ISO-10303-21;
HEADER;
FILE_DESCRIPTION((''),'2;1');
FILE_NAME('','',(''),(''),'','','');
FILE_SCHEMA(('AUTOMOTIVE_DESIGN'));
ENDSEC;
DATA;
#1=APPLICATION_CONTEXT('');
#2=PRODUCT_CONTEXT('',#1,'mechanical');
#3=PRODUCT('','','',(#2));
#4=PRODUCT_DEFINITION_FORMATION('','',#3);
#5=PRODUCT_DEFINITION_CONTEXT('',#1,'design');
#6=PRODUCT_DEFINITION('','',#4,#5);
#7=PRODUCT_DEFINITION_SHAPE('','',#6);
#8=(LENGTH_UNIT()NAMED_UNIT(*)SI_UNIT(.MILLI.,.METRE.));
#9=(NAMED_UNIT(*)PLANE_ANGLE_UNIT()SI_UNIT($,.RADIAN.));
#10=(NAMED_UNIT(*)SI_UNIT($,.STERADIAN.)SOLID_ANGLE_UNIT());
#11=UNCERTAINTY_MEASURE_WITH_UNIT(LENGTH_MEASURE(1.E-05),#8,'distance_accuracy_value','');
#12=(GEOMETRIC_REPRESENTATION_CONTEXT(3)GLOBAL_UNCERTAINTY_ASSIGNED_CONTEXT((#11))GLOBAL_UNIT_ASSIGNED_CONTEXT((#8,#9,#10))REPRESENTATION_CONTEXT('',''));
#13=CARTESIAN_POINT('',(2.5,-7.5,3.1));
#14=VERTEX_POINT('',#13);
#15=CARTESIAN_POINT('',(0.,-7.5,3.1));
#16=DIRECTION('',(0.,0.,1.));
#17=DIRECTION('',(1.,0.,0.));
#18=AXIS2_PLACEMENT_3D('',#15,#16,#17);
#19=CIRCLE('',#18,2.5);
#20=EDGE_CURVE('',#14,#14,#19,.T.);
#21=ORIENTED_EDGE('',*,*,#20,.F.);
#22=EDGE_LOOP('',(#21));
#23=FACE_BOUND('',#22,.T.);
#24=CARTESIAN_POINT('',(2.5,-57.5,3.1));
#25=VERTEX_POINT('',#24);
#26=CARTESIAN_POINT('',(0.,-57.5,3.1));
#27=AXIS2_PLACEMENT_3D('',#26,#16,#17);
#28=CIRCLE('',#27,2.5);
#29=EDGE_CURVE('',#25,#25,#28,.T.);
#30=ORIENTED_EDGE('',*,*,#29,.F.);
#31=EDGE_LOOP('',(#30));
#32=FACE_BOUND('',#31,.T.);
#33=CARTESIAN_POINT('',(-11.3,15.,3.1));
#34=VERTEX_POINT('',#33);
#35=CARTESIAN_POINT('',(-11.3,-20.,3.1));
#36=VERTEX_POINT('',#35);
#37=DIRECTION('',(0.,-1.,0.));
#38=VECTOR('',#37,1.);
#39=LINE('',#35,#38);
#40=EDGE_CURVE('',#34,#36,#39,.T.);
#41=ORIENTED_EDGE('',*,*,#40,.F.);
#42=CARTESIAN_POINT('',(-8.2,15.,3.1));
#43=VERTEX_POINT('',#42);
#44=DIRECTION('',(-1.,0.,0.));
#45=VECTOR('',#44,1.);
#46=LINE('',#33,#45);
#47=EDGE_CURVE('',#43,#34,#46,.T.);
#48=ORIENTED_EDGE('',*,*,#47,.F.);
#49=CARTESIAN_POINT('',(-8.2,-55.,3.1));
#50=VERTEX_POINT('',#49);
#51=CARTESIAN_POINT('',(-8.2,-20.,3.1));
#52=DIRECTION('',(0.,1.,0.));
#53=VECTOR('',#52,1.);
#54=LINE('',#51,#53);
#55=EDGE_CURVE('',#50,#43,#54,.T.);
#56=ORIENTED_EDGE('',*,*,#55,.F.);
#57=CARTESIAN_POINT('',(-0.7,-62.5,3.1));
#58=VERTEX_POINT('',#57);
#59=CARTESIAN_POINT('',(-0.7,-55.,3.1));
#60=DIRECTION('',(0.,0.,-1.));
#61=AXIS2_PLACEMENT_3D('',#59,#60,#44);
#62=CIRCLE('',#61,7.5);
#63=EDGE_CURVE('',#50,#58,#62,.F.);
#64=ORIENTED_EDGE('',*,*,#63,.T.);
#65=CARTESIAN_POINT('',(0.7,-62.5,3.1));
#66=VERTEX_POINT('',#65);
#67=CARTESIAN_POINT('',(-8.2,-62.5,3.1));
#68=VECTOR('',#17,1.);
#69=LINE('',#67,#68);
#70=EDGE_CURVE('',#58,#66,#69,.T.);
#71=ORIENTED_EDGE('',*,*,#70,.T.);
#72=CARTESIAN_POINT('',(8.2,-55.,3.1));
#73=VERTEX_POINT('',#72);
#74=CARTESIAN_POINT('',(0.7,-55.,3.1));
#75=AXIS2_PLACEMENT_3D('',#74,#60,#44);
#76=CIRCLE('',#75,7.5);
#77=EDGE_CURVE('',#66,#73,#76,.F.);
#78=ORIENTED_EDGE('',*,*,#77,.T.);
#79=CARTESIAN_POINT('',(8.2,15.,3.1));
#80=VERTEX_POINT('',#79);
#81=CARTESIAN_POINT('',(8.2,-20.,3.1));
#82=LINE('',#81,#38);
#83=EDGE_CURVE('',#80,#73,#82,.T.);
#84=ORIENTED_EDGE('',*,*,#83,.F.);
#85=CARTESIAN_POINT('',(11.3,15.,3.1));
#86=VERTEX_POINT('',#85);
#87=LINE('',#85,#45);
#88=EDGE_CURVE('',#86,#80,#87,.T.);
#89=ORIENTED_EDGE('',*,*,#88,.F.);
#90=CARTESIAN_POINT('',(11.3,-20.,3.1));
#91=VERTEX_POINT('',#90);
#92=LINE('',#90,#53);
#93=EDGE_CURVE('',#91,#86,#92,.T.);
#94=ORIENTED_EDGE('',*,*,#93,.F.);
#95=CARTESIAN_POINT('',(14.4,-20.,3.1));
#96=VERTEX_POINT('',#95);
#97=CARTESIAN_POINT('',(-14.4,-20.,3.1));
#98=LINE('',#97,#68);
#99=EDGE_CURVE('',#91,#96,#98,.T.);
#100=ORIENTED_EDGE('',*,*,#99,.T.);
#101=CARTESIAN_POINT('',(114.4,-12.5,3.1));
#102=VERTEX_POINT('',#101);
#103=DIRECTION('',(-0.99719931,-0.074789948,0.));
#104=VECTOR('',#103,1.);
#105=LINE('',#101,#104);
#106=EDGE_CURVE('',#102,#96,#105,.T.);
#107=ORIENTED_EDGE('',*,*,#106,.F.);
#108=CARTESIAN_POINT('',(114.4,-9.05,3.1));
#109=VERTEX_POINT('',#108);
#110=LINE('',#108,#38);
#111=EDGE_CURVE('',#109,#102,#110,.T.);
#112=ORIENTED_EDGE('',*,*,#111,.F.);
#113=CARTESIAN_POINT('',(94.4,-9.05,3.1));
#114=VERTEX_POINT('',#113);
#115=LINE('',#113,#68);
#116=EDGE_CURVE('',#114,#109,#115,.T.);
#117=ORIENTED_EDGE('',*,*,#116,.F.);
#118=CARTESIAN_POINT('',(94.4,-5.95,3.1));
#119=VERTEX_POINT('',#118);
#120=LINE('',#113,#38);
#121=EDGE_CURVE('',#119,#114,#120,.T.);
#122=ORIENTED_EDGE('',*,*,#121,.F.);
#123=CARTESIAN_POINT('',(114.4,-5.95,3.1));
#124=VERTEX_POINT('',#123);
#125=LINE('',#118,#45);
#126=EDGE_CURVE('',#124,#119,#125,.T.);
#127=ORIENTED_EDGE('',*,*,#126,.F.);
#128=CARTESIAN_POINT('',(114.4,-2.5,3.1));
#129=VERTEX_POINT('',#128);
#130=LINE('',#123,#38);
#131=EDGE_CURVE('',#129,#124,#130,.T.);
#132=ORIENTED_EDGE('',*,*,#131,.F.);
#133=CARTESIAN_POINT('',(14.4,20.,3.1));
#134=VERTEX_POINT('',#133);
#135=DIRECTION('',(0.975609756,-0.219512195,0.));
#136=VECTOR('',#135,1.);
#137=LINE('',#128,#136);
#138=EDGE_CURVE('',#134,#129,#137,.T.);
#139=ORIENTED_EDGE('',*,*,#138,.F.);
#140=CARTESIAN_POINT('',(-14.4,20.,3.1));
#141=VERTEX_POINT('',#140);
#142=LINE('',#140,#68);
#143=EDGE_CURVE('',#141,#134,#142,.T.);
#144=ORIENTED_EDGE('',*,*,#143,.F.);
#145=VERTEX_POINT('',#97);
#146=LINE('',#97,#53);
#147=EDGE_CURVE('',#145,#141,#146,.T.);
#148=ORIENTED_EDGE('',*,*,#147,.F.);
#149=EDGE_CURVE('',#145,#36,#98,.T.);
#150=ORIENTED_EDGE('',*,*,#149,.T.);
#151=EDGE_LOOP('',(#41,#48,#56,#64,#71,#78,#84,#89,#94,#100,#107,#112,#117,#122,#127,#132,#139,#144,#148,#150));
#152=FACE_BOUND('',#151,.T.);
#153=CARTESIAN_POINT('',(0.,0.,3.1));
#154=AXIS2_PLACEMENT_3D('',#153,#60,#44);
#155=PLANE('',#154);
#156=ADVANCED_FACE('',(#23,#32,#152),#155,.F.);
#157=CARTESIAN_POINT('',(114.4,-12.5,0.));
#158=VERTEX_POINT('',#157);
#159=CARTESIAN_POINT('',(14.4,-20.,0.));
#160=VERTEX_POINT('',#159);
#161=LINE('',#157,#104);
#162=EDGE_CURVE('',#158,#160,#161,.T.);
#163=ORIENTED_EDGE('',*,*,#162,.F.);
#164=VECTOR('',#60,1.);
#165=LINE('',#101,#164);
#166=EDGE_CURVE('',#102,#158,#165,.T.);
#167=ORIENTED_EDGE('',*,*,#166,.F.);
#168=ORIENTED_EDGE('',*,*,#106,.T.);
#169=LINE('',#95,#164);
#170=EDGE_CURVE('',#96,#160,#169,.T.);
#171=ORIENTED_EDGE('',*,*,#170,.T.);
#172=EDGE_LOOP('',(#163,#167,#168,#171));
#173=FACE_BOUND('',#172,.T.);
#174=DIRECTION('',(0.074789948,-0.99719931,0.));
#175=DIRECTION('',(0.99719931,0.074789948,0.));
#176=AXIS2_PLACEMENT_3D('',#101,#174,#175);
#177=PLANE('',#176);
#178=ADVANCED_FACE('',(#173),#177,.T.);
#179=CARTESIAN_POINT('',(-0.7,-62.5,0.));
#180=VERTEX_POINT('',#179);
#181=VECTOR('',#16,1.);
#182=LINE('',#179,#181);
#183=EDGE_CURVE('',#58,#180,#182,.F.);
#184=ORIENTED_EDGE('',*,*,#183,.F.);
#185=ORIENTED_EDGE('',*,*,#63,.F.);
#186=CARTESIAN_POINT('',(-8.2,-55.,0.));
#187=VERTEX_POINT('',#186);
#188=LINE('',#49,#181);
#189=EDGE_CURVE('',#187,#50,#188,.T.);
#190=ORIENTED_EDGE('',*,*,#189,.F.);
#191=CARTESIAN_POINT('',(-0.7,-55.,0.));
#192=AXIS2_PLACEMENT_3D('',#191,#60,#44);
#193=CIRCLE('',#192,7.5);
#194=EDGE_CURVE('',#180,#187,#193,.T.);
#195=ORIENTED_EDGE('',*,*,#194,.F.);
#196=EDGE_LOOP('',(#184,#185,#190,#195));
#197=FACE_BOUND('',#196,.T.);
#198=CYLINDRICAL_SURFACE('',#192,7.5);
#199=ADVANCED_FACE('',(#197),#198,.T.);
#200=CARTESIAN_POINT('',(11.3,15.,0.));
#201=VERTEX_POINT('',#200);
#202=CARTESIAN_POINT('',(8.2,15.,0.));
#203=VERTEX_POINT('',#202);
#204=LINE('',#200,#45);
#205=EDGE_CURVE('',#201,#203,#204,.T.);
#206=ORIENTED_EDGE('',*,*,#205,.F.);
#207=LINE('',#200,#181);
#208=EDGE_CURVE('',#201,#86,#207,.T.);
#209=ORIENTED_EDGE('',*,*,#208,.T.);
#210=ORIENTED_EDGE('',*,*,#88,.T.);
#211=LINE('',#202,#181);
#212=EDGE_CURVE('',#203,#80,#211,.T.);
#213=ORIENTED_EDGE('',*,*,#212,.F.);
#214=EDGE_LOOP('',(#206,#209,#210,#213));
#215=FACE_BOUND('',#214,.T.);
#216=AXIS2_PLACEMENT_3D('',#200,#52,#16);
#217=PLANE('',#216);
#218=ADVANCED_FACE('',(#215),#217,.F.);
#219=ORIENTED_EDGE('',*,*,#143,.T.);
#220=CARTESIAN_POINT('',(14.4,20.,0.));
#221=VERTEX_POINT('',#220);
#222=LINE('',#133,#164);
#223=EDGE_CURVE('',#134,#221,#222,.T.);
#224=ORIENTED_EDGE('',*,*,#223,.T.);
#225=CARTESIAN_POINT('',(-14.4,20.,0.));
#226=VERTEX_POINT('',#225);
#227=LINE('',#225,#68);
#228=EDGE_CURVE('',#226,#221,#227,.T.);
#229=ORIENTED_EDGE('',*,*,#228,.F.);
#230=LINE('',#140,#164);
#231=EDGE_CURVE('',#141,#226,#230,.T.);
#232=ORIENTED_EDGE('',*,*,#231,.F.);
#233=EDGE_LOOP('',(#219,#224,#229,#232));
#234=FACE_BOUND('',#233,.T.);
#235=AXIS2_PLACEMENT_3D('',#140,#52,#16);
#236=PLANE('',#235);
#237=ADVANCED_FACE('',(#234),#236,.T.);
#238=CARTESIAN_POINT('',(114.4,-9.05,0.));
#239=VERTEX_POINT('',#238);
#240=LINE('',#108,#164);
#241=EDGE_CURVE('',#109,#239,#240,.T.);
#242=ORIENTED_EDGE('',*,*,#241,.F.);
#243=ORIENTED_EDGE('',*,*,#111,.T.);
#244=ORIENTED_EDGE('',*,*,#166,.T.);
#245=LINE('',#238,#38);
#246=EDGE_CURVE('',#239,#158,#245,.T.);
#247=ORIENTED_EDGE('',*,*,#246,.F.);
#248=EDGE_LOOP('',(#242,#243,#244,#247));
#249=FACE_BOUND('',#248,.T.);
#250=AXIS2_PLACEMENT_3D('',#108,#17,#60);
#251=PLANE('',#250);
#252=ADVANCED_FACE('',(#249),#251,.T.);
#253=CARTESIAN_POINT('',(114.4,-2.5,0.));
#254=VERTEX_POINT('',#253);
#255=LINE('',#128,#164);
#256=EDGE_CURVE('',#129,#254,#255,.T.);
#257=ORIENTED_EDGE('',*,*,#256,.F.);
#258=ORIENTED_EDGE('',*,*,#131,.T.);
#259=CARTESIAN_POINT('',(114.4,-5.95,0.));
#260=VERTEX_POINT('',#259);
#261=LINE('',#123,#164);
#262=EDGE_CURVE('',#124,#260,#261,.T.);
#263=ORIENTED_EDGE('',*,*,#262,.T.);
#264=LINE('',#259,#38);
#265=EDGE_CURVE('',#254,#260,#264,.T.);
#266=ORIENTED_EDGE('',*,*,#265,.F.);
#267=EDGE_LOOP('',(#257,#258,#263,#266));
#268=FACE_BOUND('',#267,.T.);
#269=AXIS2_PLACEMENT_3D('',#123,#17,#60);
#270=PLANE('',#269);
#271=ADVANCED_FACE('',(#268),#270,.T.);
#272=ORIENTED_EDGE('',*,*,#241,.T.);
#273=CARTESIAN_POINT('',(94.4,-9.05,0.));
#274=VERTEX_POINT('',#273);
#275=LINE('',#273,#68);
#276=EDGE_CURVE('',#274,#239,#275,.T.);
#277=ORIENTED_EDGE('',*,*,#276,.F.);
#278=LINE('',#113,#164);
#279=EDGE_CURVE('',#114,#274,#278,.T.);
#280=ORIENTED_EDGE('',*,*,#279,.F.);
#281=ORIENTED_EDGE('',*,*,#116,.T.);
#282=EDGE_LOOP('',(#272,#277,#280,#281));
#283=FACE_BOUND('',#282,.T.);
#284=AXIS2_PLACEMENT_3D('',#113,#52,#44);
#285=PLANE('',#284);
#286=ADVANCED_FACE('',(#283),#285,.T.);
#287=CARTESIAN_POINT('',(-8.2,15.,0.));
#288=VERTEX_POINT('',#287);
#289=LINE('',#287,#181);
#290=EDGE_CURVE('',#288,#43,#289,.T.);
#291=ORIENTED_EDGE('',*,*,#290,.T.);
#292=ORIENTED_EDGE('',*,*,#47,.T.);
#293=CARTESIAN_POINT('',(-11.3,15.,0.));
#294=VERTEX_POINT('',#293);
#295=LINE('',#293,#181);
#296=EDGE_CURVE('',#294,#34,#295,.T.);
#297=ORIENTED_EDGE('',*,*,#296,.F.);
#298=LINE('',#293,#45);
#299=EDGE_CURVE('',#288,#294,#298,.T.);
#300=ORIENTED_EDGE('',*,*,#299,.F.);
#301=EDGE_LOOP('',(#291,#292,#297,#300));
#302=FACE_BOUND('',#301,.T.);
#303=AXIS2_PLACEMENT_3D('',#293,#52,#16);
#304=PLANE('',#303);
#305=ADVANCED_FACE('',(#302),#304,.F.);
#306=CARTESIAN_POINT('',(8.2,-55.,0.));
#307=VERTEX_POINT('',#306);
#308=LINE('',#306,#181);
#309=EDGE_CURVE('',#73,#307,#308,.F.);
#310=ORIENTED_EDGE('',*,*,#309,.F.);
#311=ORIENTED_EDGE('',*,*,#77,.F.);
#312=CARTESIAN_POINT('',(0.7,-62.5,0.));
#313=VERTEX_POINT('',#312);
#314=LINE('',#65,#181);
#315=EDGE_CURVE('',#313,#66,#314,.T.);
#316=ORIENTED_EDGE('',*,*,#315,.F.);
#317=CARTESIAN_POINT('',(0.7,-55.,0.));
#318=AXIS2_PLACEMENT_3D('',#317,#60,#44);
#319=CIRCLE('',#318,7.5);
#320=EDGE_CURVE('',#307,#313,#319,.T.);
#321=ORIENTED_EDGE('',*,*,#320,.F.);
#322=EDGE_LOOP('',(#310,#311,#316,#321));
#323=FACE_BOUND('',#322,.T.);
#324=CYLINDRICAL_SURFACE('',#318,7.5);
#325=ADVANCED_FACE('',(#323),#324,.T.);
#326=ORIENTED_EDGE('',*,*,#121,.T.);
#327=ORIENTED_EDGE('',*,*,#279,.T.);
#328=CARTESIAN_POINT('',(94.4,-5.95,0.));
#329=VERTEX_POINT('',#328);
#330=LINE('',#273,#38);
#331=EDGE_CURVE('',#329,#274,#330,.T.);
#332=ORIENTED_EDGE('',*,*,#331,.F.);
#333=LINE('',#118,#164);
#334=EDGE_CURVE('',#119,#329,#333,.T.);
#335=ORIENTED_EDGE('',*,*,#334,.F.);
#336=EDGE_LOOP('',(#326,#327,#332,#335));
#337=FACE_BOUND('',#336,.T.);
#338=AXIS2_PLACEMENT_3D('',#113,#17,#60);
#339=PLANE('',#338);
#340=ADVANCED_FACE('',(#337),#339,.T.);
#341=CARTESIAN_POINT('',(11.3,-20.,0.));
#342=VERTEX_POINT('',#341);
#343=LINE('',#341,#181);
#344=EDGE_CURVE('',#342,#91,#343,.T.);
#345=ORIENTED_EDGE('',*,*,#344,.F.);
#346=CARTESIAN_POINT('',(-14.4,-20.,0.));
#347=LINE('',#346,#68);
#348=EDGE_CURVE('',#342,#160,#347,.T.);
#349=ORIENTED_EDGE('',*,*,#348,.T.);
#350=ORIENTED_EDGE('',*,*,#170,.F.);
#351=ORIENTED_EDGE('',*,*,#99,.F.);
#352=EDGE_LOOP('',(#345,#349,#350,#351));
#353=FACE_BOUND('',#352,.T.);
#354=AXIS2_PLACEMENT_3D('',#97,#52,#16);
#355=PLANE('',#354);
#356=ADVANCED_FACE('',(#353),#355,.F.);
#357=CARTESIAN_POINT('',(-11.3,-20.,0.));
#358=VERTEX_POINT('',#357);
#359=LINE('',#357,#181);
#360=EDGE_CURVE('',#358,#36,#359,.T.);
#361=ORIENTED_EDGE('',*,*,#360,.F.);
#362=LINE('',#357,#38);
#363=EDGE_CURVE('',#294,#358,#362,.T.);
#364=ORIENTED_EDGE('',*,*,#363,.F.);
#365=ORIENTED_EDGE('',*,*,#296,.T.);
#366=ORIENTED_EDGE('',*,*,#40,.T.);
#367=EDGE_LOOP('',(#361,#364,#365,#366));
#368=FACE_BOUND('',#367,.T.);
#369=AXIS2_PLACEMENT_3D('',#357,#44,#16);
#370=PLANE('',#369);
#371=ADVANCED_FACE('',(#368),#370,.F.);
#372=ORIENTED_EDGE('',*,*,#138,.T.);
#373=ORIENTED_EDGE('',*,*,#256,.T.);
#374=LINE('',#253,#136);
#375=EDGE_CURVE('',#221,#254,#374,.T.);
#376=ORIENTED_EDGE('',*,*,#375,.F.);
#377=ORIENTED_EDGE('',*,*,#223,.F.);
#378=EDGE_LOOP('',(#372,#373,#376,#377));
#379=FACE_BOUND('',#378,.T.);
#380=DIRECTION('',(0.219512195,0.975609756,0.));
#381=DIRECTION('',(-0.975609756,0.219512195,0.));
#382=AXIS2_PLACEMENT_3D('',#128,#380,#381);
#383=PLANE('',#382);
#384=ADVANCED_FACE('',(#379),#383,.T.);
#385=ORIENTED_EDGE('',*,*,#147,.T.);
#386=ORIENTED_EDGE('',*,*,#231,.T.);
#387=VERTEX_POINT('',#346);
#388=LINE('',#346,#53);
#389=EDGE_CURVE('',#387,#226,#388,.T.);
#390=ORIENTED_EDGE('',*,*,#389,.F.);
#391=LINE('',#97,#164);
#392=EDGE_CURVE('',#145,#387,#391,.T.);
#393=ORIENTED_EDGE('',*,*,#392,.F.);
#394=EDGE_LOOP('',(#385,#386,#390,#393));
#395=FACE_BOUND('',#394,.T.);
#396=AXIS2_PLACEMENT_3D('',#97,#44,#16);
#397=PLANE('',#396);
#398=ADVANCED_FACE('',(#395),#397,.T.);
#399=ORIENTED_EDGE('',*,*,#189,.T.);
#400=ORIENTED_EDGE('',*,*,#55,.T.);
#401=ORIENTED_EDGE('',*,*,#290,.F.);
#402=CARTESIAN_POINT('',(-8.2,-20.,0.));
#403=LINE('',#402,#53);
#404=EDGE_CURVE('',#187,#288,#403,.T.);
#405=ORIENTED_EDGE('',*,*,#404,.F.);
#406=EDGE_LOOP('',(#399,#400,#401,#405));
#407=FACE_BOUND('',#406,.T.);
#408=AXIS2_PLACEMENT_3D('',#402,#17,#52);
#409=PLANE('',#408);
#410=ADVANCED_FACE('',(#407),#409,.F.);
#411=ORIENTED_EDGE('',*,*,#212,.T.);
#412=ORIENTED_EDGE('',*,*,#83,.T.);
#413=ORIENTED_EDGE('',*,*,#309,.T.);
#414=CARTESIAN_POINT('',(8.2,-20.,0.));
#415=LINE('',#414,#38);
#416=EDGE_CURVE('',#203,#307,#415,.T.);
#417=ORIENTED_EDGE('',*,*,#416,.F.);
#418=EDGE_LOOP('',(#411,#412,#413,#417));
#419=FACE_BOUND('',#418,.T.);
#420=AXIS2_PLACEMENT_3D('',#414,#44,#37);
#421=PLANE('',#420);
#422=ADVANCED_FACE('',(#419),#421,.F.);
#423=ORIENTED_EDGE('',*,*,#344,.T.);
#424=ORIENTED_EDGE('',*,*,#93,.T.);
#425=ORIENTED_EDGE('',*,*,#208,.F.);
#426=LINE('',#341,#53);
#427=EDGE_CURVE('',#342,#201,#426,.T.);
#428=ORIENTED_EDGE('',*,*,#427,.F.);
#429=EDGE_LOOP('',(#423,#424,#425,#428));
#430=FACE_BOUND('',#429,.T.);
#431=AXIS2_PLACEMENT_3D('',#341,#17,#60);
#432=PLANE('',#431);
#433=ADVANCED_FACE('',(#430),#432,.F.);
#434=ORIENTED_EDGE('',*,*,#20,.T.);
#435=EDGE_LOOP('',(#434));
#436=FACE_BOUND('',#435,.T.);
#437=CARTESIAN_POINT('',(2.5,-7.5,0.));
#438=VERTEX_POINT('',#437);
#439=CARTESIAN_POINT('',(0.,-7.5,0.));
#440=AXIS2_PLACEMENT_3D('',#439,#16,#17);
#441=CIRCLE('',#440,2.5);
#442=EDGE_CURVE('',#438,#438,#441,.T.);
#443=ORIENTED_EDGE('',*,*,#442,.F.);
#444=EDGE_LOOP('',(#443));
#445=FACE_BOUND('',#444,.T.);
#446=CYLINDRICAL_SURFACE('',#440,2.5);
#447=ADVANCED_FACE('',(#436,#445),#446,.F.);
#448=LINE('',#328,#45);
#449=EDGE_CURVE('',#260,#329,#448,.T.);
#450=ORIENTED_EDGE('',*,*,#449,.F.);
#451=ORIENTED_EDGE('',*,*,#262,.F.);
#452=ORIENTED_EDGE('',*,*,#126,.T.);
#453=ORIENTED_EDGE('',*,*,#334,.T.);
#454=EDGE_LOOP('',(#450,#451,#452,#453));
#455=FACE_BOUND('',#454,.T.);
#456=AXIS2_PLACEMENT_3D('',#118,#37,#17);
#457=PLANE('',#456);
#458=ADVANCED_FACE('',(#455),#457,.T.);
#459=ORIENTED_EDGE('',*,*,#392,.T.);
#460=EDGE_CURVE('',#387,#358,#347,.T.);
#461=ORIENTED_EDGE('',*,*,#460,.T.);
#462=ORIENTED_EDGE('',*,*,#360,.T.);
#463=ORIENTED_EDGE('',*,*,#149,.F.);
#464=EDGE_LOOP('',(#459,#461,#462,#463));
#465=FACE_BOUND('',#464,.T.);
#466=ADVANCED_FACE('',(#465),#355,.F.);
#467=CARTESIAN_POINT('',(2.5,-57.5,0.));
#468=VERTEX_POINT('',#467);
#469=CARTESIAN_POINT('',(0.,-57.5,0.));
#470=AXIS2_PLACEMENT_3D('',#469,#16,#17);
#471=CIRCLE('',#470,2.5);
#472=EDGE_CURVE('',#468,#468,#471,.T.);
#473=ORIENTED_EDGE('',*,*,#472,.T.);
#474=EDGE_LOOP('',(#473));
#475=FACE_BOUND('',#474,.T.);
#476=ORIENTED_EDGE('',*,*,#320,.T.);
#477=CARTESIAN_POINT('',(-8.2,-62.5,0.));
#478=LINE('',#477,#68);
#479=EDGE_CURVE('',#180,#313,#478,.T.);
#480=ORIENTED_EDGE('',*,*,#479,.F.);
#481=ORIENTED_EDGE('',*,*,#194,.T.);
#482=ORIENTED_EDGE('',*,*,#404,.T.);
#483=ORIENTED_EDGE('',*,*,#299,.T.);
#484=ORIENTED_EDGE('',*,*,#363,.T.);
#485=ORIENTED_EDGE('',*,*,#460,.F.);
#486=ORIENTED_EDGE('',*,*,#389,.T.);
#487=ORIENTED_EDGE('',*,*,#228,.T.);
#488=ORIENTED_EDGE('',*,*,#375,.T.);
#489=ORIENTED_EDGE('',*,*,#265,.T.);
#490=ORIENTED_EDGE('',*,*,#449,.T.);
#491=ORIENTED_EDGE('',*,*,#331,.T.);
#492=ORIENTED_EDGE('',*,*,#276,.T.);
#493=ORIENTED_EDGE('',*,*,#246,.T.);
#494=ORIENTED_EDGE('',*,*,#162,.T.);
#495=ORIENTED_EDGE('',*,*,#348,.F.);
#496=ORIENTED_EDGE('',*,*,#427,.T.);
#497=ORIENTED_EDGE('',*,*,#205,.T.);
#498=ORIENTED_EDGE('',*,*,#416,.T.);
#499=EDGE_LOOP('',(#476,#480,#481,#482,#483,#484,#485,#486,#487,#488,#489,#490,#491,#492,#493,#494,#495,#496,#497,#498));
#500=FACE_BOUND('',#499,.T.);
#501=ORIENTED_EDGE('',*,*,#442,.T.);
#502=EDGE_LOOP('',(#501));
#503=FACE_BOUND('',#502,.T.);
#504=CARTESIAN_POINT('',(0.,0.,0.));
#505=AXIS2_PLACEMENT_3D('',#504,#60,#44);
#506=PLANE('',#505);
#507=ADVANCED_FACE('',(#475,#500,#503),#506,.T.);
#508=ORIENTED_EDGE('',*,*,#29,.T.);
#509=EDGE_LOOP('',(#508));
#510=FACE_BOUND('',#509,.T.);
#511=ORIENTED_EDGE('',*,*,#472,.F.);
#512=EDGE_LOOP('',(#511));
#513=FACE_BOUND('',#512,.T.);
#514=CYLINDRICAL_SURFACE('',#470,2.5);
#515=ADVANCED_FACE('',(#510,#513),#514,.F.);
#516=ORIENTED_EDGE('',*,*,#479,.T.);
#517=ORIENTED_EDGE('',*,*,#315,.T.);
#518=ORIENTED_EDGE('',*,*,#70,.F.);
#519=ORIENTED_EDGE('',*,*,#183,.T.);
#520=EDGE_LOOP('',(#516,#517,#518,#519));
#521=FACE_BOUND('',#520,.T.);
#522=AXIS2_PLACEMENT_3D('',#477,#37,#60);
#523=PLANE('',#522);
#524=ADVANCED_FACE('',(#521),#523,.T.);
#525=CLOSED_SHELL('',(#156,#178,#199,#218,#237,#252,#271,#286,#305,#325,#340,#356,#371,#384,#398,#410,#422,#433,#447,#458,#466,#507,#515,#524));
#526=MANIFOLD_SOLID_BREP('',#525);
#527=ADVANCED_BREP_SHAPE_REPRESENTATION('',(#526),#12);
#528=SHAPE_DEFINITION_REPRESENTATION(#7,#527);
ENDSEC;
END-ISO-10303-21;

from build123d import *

# Parameters (mm, degrees)
SKETCH1_W           = 28.8
SKETCH1_H           = 40
BOSS_EXTRUDE1_DEPTH = 3.1
SKETCH2_R           = 2.5
SKETCH2_W           = 3.1
SKETCH2_H           = 35
CUT_EXTRUDE1_DEPTH  = 4.1
SKETCH3_W           = 16.4
SKETCH3_H           = 42.5
SKETCH3_R           = 2.5
BOSS_EXTRUDE2_DEPTH = 3.1
FILLET1_R           = 7.5
BOSS_EXTRUDE3_DEPTH = 3.1


with BuildPart() as part:
    # Sketch1 → Boss-Extrude1 (new body)
    with BuildSketch(Plane.XY):
        Rectangle(SKETCH1_W, SKETCH1_H)
    extrude(amount=BOSS_EXTRUDE1_DEPTH)

    # Sketch2 → Cut-Extrude1 (cut, through all)
    with BuildSketch(Plane.XY.offset(3.1)):
        with Locations((0, -7.5)):
            Circle(SKETCH2_R)
        with Locations((-9.75, -2.5)):
            Rectangle(SKETCH2_W, SKETCH2_H)
        with Locations((9.75, -2.5)):
            Rectangle(SKETCH2_W, SKETCH2_H)
    extrude(amount=-CUT_EXTRUDE1_DEPTH, mode=Mode.SUBTRACT)

    # Sketch3 → Boss-Extrude2 (add, through all)
    with BuildSketch(Plane.XY.offset(3.1)):
        with Locations((0, -41.25)):
            Rectangle(SKETCH3_W, SKETCH3_H)
        with Locations((0, -57.5)):
            Circle(SKETCH3_R, mode=Mode.SUBTRACT)
    extrude(amount=-BOSS_EXTRUDE2_DEPTH)

    # Fillet1
    fillet1_edges = [part.edges().sort_by_distance(p)[0] for p in [
        (-8.2, -62.5, 1.55),
        (8.2, -62.5, 1.55),
    ]]
    fillet(fillet1_edges, radius=FILLET1_R)

    # Sketch4 → Boss-Extrude3 (add, through all)
    with BuildSketch(Plane(origin=(0, 0, 0), x_dir=(-1, 0, 0), z_dir=(0, 0, -1))):
        Polygon((-14.4, 20), (-14.4, -20), (-114.4, -12.5), (-114.4, -9.05), (-94.4, -9.05), (-94.4, -5.95), (-114.4, -5.95), (-114.4, -2.5), align=None)
    extrude(amount=-BOSS_EXTRUDE3_DEPTH)


solid = part.part
